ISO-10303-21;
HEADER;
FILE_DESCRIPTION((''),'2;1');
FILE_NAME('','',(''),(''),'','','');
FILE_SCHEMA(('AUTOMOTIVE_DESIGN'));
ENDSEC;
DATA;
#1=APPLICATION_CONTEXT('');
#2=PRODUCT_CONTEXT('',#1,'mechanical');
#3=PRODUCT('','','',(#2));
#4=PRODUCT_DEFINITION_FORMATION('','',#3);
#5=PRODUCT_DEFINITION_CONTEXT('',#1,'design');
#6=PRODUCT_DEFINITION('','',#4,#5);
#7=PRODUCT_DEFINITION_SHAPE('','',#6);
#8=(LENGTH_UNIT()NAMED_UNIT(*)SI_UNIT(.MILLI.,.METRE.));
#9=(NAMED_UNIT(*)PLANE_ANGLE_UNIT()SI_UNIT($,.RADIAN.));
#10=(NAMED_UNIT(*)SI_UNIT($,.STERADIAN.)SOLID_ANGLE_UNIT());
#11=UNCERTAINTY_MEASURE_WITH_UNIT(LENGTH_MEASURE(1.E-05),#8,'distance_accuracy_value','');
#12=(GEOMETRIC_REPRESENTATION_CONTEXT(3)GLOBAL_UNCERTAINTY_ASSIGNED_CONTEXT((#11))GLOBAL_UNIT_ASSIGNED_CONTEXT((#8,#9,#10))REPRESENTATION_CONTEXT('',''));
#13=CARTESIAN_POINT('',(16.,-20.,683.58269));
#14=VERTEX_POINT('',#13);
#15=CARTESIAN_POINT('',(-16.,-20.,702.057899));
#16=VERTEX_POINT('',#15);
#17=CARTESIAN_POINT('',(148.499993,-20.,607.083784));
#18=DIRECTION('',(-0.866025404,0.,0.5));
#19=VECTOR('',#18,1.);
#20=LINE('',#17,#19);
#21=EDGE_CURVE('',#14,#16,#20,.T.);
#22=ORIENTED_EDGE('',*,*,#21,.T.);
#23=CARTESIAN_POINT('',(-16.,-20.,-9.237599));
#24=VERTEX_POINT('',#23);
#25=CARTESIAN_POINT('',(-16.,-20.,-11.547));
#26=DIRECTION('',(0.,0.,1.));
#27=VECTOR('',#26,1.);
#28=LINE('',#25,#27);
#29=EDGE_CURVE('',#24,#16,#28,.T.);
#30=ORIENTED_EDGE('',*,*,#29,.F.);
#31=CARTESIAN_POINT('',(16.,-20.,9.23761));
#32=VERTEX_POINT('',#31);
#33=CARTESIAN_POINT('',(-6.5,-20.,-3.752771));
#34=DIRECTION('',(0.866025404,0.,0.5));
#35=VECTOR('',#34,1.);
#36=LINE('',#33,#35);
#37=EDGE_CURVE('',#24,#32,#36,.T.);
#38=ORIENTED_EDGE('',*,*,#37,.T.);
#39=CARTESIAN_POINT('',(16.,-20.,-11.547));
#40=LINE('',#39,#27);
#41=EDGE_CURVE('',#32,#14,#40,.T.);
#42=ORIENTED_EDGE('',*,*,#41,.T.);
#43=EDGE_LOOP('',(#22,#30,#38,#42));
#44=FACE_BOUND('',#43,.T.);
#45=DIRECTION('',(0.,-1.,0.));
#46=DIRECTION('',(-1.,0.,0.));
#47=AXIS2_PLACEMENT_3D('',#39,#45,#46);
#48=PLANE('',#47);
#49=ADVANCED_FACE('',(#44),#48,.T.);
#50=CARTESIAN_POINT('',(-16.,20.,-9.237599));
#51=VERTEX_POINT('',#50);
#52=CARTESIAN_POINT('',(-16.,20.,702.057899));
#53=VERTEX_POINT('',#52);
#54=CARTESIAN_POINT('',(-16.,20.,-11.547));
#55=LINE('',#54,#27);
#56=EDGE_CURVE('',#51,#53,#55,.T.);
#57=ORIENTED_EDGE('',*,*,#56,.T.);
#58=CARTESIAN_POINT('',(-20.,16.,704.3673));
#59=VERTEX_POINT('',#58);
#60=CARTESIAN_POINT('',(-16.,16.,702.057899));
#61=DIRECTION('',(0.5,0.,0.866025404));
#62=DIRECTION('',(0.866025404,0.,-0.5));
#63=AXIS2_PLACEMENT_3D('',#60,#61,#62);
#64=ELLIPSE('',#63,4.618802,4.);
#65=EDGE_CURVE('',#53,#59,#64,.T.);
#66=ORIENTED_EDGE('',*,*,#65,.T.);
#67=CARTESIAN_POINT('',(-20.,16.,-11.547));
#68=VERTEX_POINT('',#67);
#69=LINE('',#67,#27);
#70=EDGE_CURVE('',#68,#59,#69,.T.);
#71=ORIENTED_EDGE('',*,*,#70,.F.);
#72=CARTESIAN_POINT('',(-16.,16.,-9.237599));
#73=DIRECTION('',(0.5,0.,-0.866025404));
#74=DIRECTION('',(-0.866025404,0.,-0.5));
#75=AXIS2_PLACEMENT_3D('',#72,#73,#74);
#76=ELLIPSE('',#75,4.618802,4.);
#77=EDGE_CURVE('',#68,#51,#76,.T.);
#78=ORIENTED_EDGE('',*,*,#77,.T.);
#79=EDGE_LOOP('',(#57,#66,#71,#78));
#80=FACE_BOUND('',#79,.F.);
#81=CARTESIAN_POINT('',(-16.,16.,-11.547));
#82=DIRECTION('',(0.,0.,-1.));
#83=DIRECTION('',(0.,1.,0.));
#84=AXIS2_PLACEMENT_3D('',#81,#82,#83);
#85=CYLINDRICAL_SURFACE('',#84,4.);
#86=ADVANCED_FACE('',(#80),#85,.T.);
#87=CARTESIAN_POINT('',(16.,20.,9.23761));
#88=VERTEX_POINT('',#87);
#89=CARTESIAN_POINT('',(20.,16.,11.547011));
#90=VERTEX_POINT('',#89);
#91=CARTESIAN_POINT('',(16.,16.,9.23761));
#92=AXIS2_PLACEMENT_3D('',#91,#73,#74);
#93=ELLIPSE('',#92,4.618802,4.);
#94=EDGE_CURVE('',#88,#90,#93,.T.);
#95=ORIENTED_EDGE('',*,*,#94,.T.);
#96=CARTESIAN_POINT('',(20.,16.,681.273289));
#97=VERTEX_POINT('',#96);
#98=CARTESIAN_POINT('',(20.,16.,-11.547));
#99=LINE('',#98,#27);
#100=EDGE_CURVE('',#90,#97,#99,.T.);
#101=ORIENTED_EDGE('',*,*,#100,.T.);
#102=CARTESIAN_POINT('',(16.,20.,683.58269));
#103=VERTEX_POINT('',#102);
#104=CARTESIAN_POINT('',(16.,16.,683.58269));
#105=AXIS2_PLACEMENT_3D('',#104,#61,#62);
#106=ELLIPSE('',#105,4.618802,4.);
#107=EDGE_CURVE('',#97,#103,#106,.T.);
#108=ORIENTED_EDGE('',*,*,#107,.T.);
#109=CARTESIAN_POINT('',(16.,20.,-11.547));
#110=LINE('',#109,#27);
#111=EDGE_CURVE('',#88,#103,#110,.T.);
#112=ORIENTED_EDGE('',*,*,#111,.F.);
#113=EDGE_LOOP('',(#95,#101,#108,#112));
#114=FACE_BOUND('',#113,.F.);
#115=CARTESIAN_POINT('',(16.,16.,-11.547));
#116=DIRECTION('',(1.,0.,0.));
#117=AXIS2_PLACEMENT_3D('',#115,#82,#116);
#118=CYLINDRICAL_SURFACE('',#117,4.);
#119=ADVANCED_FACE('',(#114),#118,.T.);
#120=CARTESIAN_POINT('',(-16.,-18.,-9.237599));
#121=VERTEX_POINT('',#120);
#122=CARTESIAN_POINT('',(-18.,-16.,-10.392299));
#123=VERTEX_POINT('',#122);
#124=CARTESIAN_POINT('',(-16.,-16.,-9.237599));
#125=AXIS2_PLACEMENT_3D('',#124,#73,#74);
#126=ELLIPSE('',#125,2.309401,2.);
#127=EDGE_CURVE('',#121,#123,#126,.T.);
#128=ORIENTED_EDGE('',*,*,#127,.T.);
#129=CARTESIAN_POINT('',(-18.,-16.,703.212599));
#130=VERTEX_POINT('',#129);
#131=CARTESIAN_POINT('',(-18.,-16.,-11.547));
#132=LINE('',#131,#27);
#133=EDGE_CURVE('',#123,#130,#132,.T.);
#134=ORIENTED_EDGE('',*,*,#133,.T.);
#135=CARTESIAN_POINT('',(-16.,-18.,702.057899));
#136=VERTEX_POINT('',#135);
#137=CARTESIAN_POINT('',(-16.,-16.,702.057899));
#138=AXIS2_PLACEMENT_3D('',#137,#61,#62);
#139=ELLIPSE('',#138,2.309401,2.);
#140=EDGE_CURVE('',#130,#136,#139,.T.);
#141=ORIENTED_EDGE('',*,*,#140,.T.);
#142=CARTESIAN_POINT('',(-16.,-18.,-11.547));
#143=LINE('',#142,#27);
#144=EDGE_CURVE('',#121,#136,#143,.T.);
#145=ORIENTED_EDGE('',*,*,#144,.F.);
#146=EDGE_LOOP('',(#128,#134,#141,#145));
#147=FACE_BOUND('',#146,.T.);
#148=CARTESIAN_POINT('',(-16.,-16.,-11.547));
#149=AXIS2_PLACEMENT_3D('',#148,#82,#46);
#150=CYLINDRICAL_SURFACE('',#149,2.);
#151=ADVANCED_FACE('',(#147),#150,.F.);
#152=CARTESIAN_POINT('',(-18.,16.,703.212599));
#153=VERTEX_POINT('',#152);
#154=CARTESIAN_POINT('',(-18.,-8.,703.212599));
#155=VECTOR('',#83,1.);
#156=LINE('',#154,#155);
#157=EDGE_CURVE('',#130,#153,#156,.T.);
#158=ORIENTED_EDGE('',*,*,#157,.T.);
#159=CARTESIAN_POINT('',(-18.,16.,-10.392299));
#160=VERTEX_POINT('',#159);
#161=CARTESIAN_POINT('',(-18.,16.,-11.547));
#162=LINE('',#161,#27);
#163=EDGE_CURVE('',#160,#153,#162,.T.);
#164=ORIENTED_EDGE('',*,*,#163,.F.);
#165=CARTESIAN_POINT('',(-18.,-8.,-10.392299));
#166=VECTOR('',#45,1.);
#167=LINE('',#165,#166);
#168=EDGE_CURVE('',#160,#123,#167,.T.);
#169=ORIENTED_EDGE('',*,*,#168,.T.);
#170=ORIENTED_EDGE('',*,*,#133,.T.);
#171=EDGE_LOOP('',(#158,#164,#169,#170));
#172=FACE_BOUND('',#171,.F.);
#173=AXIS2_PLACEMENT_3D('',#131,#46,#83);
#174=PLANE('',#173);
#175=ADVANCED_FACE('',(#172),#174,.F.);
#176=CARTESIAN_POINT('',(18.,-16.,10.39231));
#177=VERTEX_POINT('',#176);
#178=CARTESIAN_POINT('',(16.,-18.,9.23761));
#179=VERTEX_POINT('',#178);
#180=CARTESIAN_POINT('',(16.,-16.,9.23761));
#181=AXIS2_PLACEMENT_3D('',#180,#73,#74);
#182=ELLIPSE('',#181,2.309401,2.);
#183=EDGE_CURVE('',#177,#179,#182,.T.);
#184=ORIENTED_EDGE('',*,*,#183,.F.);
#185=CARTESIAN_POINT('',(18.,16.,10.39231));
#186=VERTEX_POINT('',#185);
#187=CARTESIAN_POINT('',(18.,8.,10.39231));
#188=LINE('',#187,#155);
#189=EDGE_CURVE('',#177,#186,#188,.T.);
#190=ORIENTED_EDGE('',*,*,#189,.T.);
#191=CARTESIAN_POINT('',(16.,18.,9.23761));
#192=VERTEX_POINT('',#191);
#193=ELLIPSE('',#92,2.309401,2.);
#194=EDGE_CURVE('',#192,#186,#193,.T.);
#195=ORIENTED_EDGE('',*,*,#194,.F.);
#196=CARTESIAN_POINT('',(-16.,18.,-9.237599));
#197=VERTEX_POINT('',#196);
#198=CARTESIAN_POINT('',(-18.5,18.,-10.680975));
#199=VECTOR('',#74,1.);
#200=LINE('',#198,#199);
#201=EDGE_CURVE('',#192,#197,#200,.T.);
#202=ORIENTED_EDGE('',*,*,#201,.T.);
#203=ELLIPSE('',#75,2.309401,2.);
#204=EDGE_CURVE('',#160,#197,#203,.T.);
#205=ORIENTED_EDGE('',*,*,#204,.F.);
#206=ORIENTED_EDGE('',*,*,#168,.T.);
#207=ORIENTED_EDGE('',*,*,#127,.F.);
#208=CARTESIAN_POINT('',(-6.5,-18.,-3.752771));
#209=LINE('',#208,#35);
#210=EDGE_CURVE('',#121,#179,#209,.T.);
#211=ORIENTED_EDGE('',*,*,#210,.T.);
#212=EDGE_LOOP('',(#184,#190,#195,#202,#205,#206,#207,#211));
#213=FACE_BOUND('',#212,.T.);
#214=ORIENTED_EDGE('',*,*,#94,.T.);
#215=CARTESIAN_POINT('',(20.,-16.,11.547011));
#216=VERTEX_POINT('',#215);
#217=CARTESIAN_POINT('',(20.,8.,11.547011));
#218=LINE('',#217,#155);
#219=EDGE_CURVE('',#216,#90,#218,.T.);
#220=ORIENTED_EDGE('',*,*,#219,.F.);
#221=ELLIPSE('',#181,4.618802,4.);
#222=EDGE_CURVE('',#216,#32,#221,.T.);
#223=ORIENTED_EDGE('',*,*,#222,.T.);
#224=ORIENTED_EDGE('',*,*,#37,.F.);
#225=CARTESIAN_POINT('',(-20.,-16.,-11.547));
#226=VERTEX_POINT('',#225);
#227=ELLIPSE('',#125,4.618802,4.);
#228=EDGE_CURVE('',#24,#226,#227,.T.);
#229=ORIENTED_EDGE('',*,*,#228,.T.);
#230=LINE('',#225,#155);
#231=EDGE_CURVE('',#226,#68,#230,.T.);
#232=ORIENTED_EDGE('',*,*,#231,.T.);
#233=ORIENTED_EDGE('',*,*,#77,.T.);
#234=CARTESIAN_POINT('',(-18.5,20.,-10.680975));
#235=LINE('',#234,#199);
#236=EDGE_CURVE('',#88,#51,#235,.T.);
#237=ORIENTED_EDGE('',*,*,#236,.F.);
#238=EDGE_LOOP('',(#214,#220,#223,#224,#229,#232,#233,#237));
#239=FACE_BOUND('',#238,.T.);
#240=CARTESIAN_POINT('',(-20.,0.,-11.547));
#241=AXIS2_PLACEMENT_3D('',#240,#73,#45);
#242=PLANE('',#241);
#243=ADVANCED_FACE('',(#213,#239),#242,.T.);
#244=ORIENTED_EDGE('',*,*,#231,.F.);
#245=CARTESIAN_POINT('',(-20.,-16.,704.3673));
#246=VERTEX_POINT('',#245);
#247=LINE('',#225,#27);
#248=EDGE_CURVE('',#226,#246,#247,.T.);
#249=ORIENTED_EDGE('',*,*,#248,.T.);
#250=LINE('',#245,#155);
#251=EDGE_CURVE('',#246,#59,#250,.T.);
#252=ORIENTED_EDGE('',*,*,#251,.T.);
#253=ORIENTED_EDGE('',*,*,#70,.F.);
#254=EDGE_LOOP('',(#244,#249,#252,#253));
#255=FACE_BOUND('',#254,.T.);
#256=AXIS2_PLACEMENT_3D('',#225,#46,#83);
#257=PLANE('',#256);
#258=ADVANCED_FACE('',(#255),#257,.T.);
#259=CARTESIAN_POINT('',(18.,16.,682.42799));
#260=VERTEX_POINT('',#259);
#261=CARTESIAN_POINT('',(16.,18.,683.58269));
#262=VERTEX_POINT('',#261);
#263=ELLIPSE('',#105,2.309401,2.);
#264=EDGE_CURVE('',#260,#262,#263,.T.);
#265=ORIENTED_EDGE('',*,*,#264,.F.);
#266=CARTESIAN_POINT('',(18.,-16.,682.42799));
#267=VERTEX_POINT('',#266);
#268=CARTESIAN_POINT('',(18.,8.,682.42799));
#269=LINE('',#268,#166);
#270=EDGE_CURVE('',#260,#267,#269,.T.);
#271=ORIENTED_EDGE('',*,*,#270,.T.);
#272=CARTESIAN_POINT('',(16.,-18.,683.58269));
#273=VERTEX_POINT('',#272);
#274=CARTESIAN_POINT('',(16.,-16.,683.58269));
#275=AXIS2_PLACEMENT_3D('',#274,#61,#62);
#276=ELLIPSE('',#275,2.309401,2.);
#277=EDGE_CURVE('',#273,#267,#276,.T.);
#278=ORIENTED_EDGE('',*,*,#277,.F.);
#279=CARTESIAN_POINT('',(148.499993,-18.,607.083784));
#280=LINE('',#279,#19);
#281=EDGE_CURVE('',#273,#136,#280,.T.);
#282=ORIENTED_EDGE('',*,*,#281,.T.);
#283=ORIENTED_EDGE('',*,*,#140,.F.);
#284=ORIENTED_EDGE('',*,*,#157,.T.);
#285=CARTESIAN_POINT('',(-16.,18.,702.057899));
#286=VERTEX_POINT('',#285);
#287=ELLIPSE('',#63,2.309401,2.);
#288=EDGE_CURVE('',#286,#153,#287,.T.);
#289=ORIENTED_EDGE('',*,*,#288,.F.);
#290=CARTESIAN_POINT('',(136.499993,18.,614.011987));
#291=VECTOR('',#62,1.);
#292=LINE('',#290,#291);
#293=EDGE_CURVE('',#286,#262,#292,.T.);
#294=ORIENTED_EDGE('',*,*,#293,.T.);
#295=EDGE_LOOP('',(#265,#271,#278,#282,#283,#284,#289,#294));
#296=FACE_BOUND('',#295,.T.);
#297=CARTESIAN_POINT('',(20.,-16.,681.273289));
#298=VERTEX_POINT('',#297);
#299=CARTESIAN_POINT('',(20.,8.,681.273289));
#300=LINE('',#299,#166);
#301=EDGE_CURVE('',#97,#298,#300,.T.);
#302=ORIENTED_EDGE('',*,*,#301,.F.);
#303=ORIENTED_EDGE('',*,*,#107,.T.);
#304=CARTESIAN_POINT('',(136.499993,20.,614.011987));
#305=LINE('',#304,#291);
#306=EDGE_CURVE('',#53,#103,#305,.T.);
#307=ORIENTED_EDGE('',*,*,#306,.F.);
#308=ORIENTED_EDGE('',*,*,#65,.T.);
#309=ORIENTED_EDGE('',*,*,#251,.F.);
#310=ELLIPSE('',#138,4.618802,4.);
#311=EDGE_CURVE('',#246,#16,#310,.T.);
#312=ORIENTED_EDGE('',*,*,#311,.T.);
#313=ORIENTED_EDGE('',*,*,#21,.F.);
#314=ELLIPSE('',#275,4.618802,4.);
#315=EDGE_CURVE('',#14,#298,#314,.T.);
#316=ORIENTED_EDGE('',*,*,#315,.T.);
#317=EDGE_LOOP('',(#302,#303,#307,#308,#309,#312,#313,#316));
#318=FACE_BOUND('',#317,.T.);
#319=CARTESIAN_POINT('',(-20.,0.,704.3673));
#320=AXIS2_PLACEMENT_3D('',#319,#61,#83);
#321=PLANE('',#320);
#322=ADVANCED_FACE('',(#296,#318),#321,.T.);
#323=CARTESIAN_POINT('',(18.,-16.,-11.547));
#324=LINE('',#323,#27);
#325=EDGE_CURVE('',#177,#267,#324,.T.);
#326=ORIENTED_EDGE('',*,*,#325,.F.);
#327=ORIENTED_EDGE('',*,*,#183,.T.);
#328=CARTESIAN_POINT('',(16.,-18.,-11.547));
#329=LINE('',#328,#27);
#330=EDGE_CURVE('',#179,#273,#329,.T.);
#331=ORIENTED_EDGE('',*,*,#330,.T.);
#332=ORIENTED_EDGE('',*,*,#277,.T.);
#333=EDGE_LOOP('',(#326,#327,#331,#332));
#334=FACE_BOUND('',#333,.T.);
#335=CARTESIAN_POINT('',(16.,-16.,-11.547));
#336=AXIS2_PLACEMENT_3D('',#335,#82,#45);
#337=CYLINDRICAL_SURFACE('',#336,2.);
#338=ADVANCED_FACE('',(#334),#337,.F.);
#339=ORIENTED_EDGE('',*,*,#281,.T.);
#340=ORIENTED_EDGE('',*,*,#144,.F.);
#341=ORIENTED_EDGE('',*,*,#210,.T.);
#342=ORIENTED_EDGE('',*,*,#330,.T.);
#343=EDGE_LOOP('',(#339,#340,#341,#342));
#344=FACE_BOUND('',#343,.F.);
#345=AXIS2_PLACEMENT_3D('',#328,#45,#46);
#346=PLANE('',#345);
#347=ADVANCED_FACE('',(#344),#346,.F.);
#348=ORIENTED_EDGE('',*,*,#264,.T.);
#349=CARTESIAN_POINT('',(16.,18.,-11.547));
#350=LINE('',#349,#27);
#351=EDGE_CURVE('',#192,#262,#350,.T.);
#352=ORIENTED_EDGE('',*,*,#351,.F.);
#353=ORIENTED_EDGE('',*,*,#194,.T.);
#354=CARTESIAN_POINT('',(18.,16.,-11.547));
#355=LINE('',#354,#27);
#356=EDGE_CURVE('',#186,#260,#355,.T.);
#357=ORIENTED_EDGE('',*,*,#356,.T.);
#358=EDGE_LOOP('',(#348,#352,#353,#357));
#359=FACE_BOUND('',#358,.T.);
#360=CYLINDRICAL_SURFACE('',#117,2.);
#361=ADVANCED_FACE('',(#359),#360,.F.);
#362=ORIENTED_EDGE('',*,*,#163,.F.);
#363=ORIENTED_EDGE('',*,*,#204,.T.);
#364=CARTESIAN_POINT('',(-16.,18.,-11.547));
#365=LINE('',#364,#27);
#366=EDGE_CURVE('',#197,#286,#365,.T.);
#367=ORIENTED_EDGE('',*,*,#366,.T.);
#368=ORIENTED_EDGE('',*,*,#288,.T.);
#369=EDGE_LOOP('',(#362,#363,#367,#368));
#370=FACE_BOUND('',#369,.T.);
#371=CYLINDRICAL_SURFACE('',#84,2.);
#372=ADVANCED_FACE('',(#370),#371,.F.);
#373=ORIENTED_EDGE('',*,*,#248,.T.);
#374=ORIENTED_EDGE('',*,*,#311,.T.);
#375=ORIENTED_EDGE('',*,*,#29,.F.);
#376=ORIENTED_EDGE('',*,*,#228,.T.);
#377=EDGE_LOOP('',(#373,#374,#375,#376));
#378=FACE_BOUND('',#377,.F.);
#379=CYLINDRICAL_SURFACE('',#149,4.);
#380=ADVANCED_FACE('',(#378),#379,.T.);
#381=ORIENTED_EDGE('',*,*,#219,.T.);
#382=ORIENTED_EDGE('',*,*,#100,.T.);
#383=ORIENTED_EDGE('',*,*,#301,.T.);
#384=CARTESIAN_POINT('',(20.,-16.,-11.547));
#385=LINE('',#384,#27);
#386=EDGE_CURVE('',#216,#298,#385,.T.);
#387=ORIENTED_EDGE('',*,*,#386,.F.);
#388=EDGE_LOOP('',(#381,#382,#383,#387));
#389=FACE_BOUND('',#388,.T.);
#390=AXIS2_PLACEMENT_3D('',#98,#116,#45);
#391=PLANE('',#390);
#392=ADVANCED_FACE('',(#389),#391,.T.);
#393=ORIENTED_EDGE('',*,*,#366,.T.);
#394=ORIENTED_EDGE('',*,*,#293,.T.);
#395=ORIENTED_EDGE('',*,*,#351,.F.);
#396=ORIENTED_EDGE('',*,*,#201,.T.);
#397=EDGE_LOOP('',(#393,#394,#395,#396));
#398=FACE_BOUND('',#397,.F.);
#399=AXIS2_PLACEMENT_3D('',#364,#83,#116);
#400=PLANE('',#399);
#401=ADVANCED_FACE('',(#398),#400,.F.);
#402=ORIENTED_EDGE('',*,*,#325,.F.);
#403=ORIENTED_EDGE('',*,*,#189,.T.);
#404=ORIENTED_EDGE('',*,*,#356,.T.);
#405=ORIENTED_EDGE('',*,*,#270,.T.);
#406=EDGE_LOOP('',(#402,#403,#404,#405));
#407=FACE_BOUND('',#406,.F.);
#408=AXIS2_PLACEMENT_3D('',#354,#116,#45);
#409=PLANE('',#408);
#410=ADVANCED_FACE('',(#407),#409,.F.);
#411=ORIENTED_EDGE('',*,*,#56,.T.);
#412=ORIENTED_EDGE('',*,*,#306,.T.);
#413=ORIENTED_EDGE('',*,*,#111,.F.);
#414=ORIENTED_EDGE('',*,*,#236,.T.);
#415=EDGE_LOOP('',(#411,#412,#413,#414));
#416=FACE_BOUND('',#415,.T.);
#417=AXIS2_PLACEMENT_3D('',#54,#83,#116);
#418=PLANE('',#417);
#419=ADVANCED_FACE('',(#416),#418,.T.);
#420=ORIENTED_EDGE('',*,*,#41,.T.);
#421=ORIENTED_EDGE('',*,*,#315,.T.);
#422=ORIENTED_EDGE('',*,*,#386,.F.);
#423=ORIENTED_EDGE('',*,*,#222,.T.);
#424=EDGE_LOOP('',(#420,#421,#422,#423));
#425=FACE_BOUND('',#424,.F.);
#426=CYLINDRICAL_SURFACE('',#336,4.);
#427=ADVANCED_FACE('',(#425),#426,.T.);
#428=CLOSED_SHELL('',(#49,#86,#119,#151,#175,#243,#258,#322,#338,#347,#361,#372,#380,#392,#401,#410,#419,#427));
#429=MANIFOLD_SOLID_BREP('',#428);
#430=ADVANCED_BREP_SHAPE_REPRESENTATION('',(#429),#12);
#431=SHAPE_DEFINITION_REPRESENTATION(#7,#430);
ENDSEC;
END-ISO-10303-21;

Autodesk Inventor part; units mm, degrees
ref_plane "Start Plane" through (0, 0, -11.547) normal (0, 0, 1) x (1, 0, 0)
ref_plane "End Plane" through (0, 0, 704.3673) normal (0, 0, 1) x (1, 0, 0)
sketch "Sketch" plane through (0, 0, 0) normal (0, 0, 1) x (1, 0, 0)
  line L0 (-20, -16) -> (-20, 16)
  line L1 (-16, 20) -> (16, 20)
  line L2 (20, 16) -> (20, -16)
  line L3 (16, -20) -> (-16, -20)
  arc A0 (-20, -16) -> (-16, -20) centre (-16, -16) ccw
  arc A1 (20, 16) -> (16, 20) centre (16, 16) ccw
  arc A2 (-16, 20) -> (-20, 16) centre (-16, 16) ccw
  arc A3 (16, -20) -> (20, -16) centre (16, -16) ccw
  arc A4 (-16, 18) -> (-18, 16) centre (-16, 16) ccw
  line L4 (-16, 18) -> (16, 18)
  arc A5 (18, 16) -> (16, 18) centre (16, 16) ccw
  line L5 (18, 16) -> (18, -16)
  arc A6 (16, -18) -> (18, -16) centre (16, -16) ccw
  line L6 (16, -18) -> (-16, -18)
  arc A7 (-18, -16) -> (-16, -18) centre (-16, -16) ccw
  line L7 (-18, -16) -> (-18, 16)
  line L8 (0, 29.1598) -> (0, -29.1598) construction
  line L9 (-29.1598, 0) -> (29.1598, 0) construction
  dimension "d7" = 4
  dimension "d9" = 40
  dimension "d11" = 40
  dimension "d12" = 2
  dimension "d15" = 20
  dimension "d16" = 20
extrude "Body" add sketch "Sketch" along normal up to surface (715.9143 mm away) from surface at -11.547
sketch "Sketch3" plane through (0, 0, 0) normal (0, 0, 1) x (1, 0, 0)
  line L0 (0, 0) -> (10, 0)
ref_plane "Work Plane3" through (0, 0, 0) normal (0, -1, 0) x (1, 0, 0)
sketch "Sketch4" plane through (0, 0, 0) normal (0, -1, 0) x (1, 0, 0)
  line L0 (-2, -11.547) -> (12, -11.547)
  line L1 (-2, 704.3673) -> (12, 704.3673)
  dimension "d18" = 715.9143
ref_plane "Work Plane4" through (-20, 0, 704.3673) normal (0.5, 0, 0.866) x (0.866, 0, -0.5)
split "Split1" plane through (-20, 0, 704.3673) removes the side toward (0.5, 0, 0.866)
ref_plane "Work Plane5" through (-20, 0, -11.547) normal (0.5, 0, -0.866) x (-0.866, 0, -0.5)
split "Split2" plane through (-20, 0, -11.547) removes the side toward (0.5, 0, -0.866)
equation "\"d7\" = G_IR"
equation "\"d9\" = G_W"
equation "\"d11\" = G_H"
equation "\"d12\" = G_T"
equation "\"d15\" = 0.5 * d9"
equation "\"d16\" = 0.5 * d11"
equation "\"d3\" = G_L"
equation "\"G_W\" = 40"
equation "\"G_H\" = 40"
equation "\"G_T\" = 2"
equation "\"G_IR\" = 4"
equation "\"G_L\" = d18"
equation "\"G_OFFSET_START\" = 11.54701"
equation "\"G_OFFSET_END\" = 11.54701"
equation "\"d13\" = -G_OFFSET_START"
equation "\"d14\" = G_OFFSET_END + B_L"
equation "\"B_L\" = 692.82032"
properties part number "ISO 10799-2 - 40x40x2 - 715,91" material "Steel, Mild"
